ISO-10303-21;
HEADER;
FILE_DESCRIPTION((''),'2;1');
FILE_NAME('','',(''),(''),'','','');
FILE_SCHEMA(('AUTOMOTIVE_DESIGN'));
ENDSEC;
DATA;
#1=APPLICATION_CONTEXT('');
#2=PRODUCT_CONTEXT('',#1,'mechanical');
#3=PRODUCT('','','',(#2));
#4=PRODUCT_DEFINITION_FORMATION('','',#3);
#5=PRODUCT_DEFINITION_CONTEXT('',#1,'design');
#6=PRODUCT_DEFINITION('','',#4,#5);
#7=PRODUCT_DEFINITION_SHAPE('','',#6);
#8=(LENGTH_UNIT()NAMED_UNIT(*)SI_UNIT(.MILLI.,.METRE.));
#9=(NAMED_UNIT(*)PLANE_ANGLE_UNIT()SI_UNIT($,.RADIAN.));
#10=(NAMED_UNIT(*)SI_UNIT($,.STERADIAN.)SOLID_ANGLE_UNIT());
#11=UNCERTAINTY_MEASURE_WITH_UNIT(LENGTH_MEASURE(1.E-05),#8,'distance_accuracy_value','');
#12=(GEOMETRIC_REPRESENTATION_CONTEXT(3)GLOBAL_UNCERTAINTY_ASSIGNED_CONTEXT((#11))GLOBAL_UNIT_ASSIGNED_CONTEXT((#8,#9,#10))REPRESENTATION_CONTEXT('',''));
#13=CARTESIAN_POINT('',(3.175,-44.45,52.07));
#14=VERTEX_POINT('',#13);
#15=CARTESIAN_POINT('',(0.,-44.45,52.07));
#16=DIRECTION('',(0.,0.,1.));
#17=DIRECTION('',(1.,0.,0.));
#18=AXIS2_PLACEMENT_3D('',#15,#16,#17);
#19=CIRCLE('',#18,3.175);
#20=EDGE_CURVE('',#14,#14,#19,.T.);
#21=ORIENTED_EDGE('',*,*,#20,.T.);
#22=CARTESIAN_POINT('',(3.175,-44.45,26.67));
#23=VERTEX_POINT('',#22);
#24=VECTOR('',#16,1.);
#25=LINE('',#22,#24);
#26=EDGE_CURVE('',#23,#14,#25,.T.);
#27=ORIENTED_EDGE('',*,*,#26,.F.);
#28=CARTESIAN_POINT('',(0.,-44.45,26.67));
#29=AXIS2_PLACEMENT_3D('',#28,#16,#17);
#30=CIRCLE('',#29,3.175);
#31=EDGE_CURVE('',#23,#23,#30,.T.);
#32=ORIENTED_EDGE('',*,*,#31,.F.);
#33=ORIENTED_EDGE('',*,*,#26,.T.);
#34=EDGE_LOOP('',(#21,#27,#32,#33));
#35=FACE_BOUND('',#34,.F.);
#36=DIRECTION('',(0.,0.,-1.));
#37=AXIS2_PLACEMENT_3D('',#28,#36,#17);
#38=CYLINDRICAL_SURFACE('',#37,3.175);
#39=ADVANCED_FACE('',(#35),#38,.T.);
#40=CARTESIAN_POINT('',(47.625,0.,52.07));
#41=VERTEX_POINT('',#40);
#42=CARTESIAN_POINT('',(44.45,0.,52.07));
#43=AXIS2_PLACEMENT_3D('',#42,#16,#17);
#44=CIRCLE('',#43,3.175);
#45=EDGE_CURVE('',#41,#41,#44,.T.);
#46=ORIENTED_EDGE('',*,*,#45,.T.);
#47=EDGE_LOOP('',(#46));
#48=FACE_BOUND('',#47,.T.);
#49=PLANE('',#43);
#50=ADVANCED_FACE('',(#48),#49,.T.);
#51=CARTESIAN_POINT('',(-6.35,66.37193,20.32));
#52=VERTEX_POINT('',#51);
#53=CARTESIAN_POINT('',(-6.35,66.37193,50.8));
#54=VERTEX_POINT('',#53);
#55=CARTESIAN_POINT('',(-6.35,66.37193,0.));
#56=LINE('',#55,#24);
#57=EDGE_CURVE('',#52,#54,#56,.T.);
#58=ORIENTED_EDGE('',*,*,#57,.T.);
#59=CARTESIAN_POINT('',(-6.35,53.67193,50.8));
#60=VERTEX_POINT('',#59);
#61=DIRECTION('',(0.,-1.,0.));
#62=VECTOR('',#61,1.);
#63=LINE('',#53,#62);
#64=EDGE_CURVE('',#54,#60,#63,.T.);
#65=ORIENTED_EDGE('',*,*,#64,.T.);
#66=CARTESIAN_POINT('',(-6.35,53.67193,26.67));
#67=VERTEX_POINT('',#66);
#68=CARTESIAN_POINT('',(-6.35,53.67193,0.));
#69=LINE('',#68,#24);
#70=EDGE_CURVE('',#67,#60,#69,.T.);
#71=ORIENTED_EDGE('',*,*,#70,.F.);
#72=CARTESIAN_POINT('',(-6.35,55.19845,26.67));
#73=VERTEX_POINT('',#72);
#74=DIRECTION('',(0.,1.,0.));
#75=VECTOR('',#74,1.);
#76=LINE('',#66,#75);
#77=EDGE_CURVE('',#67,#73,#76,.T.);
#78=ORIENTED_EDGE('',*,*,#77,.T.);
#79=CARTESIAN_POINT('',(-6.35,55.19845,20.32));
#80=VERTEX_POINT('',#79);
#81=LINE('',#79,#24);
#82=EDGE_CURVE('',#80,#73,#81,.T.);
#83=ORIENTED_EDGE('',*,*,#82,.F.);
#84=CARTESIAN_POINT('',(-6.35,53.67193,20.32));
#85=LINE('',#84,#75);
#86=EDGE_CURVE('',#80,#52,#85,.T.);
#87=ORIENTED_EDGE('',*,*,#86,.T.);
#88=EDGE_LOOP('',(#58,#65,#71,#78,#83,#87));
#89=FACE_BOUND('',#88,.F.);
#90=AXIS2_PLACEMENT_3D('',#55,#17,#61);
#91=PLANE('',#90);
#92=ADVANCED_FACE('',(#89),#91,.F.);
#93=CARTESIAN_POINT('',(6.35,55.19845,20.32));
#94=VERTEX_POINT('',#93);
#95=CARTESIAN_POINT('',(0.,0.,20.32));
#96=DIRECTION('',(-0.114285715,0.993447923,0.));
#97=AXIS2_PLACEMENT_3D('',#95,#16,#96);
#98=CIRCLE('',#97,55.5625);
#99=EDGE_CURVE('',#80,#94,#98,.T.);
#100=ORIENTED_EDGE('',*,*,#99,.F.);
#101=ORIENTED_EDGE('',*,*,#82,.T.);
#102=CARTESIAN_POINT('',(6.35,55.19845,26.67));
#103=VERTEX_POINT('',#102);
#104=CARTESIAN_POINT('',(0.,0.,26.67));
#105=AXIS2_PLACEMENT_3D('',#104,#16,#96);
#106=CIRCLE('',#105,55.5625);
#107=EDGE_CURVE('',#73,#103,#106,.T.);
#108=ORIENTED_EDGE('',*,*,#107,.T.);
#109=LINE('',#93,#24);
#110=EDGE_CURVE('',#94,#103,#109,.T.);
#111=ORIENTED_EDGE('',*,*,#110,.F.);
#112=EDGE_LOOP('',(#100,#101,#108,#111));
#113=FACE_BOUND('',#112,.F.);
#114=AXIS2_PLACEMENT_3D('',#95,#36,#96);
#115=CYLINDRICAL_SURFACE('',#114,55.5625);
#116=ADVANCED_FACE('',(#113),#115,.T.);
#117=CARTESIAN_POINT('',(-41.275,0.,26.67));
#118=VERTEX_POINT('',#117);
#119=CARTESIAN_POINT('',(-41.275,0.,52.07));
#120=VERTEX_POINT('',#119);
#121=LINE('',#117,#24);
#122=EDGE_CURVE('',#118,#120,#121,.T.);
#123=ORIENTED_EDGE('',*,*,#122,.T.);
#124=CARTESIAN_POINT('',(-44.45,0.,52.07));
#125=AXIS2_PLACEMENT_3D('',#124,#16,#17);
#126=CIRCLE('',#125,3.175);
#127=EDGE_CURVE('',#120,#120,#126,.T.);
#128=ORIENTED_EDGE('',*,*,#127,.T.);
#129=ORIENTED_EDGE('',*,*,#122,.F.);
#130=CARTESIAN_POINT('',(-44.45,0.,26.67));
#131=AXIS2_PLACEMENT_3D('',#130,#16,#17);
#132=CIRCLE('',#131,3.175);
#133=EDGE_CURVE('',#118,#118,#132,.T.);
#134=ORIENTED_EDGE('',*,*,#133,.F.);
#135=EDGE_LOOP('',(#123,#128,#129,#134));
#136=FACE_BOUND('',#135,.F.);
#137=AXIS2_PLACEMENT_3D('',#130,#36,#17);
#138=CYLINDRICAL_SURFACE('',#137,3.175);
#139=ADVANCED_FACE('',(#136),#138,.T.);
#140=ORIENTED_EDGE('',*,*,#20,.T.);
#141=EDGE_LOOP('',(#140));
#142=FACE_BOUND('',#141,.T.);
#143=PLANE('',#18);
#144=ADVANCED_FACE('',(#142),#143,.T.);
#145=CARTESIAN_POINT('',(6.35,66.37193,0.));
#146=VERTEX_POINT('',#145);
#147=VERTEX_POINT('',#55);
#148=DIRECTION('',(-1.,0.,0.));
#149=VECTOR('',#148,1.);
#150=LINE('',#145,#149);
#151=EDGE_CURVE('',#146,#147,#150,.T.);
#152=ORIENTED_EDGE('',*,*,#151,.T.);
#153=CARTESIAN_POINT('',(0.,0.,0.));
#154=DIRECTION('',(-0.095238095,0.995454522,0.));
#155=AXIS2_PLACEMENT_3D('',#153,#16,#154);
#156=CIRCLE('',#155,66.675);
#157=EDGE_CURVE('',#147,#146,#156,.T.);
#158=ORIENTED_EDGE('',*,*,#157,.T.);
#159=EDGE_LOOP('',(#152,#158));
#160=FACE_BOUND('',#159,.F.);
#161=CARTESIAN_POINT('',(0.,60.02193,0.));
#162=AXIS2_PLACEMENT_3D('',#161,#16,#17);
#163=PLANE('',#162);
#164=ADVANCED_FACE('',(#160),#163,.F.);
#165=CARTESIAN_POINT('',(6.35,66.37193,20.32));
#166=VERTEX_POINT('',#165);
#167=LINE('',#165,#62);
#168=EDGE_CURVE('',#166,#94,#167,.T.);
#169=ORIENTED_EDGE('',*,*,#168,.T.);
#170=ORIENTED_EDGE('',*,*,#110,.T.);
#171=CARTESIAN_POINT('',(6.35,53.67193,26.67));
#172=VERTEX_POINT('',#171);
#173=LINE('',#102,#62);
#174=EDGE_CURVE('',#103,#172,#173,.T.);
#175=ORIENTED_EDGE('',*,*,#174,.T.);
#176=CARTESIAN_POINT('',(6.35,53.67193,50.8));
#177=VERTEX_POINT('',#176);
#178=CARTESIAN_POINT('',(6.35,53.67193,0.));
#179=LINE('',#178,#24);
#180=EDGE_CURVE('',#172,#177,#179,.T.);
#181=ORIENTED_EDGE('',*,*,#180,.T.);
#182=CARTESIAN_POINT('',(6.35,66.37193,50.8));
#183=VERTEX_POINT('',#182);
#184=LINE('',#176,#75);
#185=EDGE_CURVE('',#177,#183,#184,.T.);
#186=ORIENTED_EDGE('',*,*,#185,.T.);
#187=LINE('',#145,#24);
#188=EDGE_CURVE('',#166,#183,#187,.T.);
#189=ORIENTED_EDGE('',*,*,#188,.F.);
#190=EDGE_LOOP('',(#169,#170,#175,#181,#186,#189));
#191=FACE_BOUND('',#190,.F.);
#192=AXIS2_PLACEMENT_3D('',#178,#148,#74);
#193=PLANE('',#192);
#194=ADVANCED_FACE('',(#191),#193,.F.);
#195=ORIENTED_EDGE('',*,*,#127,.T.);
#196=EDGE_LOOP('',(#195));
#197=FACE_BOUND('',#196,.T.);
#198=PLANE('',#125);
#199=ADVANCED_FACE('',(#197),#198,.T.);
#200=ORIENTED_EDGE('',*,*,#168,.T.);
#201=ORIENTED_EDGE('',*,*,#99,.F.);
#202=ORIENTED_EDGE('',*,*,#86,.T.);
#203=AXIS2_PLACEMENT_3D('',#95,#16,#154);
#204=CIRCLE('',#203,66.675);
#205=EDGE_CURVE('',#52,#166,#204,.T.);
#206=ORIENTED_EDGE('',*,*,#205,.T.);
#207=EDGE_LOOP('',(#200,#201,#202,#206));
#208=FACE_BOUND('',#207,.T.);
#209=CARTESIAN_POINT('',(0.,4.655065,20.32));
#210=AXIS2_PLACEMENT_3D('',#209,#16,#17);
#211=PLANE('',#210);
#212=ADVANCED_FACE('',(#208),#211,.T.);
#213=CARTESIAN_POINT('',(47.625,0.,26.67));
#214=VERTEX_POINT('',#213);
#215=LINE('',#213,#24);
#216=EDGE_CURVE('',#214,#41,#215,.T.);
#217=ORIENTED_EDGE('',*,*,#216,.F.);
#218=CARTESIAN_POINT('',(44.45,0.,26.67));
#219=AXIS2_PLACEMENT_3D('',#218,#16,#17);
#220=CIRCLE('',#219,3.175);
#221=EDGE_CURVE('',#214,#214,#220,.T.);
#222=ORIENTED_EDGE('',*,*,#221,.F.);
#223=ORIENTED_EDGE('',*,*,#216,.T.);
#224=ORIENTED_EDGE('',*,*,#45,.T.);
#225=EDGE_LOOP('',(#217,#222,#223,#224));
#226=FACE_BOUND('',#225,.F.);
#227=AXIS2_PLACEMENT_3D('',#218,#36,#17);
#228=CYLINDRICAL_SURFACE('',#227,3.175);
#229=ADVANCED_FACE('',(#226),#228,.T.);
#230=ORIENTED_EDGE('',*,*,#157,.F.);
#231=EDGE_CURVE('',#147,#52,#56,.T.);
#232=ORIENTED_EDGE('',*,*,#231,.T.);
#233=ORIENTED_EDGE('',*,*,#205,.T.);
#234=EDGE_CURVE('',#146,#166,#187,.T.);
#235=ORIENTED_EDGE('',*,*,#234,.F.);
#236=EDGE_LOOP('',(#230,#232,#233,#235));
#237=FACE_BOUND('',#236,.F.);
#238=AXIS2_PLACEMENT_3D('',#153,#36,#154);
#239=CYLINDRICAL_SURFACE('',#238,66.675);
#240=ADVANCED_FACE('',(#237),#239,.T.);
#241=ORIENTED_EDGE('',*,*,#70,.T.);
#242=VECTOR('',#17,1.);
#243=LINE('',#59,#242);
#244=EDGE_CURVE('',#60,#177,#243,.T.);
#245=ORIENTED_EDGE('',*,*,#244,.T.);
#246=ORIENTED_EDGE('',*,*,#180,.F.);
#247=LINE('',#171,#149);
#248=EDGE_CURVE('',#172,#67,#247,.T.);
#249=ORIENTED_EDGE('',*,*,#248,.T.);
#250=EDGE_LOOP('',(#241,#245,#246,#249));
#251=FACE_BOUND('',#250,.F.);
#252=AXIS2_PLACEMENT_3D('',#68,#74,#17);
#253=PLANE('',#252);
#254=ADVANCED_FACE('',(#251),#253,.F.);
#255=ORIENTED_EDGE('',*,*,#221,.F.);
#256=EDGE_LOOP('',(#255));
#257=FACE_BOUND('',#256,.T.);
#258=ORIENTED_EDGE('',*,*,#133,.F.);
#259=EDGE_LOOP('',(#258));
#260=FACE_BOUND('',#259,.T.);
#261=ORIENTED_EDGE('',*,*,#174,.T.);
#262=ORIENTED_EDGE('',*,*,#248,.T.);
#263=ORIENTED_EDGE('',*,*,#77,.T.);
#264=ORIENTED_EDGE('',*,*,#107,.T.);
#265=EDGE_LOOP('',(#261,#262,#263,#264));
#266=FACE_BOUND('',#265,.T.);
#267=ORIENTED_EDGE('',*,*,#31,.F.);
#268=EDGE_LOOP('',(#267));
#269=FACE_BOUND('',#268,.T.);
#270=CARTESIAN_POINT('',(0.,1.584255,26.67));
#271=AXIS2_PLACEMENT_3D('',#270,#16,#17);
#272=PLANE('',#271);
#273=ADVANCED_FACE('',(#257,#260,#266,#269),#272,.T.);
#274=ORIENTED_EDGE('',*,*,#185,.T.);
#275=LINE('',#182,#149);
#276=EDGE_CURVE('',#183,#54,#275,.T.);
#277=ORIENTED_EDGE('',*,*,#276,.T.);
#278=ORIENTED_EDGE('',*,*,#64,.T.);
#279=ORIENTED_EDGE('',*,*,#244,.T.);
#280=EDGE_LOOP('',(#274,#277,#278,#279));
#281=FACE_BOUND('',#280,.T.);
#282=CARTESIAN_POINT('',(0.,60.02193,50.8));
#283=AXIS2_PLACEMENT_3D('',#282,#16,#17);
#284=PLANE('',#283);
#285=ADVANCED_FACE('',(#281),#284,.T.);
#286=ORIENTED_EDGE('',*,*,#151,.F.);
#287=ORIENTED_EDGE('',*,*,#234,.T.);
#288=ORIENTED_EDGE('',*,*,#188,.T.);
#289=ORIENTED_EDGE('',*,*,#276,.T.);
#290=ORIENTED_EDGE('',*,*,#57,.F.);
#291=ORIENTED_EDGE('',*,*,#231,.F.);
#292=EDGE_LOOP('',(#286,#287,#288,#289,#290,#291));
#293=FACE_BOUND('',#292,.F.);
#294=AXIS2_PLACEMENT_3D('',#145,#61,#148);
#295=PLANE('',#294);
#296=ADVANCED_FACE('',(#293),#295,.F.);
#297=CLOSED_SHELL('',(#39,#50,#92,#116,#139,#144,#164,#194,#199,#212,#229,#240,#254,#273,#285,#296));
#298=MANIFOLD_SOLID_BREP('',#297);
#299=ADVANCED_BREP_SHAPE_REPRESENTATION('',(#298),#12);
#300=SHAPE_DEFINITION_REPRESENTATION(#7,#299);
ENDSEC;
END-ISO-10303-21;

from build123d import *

# Parameters (mm, degrees)
F1_DEPTH = 20.32
F3_DEPTH = 6.35
F5_DEPTH = 50.8
F6_R     = 3.175
F7_DEPTH = 25.4


with BuildPart() as f1:
    # F0 (on Top) → F1 (new body)
    with BuildSketch(Plane.XY):
        with BuildLine():
            Line((-6.35, 53.67193), (-6.35, 66.37193))
            ThreePointArc((-6.35, 66.37193), (0, -66.675), (6.35, 66.37193))
            Line((6.35, 66.37193), (6.35, 53.67193))
            Line((6.35, 53.67193), (-6.35, 53.67193))
        make_face()
    extrude(amount=F1_DEPTH)

    # F2 (on face) → F3 (join)
    with BuildSketch(Plane.XY.offset(20.32)):
        with BuildLine():
            Line((-6.35, 53.67193), (-6.35, 55.19845))
            ThreePointArc((-6.35, 55.19845), (0, -55.5625), (6.35, 55.19845))
            Line((6.35, 55.19845), (6.35, 53.67193))
            Line((6.35, 53.67193), (-6.35, 53.67193))
        make_face()
    extrude(amount=F3_DEPTH)

    # F4 (on Top) → F5 (join)
    with BuildSketch(Plane.XY):
        Polygon((-6.35, 55.19845), (-6.35, 53.67193), (6.35, 53.67193), (6.35, 66.37193), (-6.35, 66.37193), align=None)
    extrude(amount=F5_DEPTH)

    # F6 (on face) → F7 (join)
    with BuildSketch(Plane.XY.offset(26.67)):
        with Locations((44.45, 0)):
            Circle(F6_R)
        with Locations((0, -44.45)):
            Circle(F6_R)
        with Locations((-44.45, 0)):
            Circle(F6_R)
    extrude(amount=F7_DEPTH)


solid = f1.part
